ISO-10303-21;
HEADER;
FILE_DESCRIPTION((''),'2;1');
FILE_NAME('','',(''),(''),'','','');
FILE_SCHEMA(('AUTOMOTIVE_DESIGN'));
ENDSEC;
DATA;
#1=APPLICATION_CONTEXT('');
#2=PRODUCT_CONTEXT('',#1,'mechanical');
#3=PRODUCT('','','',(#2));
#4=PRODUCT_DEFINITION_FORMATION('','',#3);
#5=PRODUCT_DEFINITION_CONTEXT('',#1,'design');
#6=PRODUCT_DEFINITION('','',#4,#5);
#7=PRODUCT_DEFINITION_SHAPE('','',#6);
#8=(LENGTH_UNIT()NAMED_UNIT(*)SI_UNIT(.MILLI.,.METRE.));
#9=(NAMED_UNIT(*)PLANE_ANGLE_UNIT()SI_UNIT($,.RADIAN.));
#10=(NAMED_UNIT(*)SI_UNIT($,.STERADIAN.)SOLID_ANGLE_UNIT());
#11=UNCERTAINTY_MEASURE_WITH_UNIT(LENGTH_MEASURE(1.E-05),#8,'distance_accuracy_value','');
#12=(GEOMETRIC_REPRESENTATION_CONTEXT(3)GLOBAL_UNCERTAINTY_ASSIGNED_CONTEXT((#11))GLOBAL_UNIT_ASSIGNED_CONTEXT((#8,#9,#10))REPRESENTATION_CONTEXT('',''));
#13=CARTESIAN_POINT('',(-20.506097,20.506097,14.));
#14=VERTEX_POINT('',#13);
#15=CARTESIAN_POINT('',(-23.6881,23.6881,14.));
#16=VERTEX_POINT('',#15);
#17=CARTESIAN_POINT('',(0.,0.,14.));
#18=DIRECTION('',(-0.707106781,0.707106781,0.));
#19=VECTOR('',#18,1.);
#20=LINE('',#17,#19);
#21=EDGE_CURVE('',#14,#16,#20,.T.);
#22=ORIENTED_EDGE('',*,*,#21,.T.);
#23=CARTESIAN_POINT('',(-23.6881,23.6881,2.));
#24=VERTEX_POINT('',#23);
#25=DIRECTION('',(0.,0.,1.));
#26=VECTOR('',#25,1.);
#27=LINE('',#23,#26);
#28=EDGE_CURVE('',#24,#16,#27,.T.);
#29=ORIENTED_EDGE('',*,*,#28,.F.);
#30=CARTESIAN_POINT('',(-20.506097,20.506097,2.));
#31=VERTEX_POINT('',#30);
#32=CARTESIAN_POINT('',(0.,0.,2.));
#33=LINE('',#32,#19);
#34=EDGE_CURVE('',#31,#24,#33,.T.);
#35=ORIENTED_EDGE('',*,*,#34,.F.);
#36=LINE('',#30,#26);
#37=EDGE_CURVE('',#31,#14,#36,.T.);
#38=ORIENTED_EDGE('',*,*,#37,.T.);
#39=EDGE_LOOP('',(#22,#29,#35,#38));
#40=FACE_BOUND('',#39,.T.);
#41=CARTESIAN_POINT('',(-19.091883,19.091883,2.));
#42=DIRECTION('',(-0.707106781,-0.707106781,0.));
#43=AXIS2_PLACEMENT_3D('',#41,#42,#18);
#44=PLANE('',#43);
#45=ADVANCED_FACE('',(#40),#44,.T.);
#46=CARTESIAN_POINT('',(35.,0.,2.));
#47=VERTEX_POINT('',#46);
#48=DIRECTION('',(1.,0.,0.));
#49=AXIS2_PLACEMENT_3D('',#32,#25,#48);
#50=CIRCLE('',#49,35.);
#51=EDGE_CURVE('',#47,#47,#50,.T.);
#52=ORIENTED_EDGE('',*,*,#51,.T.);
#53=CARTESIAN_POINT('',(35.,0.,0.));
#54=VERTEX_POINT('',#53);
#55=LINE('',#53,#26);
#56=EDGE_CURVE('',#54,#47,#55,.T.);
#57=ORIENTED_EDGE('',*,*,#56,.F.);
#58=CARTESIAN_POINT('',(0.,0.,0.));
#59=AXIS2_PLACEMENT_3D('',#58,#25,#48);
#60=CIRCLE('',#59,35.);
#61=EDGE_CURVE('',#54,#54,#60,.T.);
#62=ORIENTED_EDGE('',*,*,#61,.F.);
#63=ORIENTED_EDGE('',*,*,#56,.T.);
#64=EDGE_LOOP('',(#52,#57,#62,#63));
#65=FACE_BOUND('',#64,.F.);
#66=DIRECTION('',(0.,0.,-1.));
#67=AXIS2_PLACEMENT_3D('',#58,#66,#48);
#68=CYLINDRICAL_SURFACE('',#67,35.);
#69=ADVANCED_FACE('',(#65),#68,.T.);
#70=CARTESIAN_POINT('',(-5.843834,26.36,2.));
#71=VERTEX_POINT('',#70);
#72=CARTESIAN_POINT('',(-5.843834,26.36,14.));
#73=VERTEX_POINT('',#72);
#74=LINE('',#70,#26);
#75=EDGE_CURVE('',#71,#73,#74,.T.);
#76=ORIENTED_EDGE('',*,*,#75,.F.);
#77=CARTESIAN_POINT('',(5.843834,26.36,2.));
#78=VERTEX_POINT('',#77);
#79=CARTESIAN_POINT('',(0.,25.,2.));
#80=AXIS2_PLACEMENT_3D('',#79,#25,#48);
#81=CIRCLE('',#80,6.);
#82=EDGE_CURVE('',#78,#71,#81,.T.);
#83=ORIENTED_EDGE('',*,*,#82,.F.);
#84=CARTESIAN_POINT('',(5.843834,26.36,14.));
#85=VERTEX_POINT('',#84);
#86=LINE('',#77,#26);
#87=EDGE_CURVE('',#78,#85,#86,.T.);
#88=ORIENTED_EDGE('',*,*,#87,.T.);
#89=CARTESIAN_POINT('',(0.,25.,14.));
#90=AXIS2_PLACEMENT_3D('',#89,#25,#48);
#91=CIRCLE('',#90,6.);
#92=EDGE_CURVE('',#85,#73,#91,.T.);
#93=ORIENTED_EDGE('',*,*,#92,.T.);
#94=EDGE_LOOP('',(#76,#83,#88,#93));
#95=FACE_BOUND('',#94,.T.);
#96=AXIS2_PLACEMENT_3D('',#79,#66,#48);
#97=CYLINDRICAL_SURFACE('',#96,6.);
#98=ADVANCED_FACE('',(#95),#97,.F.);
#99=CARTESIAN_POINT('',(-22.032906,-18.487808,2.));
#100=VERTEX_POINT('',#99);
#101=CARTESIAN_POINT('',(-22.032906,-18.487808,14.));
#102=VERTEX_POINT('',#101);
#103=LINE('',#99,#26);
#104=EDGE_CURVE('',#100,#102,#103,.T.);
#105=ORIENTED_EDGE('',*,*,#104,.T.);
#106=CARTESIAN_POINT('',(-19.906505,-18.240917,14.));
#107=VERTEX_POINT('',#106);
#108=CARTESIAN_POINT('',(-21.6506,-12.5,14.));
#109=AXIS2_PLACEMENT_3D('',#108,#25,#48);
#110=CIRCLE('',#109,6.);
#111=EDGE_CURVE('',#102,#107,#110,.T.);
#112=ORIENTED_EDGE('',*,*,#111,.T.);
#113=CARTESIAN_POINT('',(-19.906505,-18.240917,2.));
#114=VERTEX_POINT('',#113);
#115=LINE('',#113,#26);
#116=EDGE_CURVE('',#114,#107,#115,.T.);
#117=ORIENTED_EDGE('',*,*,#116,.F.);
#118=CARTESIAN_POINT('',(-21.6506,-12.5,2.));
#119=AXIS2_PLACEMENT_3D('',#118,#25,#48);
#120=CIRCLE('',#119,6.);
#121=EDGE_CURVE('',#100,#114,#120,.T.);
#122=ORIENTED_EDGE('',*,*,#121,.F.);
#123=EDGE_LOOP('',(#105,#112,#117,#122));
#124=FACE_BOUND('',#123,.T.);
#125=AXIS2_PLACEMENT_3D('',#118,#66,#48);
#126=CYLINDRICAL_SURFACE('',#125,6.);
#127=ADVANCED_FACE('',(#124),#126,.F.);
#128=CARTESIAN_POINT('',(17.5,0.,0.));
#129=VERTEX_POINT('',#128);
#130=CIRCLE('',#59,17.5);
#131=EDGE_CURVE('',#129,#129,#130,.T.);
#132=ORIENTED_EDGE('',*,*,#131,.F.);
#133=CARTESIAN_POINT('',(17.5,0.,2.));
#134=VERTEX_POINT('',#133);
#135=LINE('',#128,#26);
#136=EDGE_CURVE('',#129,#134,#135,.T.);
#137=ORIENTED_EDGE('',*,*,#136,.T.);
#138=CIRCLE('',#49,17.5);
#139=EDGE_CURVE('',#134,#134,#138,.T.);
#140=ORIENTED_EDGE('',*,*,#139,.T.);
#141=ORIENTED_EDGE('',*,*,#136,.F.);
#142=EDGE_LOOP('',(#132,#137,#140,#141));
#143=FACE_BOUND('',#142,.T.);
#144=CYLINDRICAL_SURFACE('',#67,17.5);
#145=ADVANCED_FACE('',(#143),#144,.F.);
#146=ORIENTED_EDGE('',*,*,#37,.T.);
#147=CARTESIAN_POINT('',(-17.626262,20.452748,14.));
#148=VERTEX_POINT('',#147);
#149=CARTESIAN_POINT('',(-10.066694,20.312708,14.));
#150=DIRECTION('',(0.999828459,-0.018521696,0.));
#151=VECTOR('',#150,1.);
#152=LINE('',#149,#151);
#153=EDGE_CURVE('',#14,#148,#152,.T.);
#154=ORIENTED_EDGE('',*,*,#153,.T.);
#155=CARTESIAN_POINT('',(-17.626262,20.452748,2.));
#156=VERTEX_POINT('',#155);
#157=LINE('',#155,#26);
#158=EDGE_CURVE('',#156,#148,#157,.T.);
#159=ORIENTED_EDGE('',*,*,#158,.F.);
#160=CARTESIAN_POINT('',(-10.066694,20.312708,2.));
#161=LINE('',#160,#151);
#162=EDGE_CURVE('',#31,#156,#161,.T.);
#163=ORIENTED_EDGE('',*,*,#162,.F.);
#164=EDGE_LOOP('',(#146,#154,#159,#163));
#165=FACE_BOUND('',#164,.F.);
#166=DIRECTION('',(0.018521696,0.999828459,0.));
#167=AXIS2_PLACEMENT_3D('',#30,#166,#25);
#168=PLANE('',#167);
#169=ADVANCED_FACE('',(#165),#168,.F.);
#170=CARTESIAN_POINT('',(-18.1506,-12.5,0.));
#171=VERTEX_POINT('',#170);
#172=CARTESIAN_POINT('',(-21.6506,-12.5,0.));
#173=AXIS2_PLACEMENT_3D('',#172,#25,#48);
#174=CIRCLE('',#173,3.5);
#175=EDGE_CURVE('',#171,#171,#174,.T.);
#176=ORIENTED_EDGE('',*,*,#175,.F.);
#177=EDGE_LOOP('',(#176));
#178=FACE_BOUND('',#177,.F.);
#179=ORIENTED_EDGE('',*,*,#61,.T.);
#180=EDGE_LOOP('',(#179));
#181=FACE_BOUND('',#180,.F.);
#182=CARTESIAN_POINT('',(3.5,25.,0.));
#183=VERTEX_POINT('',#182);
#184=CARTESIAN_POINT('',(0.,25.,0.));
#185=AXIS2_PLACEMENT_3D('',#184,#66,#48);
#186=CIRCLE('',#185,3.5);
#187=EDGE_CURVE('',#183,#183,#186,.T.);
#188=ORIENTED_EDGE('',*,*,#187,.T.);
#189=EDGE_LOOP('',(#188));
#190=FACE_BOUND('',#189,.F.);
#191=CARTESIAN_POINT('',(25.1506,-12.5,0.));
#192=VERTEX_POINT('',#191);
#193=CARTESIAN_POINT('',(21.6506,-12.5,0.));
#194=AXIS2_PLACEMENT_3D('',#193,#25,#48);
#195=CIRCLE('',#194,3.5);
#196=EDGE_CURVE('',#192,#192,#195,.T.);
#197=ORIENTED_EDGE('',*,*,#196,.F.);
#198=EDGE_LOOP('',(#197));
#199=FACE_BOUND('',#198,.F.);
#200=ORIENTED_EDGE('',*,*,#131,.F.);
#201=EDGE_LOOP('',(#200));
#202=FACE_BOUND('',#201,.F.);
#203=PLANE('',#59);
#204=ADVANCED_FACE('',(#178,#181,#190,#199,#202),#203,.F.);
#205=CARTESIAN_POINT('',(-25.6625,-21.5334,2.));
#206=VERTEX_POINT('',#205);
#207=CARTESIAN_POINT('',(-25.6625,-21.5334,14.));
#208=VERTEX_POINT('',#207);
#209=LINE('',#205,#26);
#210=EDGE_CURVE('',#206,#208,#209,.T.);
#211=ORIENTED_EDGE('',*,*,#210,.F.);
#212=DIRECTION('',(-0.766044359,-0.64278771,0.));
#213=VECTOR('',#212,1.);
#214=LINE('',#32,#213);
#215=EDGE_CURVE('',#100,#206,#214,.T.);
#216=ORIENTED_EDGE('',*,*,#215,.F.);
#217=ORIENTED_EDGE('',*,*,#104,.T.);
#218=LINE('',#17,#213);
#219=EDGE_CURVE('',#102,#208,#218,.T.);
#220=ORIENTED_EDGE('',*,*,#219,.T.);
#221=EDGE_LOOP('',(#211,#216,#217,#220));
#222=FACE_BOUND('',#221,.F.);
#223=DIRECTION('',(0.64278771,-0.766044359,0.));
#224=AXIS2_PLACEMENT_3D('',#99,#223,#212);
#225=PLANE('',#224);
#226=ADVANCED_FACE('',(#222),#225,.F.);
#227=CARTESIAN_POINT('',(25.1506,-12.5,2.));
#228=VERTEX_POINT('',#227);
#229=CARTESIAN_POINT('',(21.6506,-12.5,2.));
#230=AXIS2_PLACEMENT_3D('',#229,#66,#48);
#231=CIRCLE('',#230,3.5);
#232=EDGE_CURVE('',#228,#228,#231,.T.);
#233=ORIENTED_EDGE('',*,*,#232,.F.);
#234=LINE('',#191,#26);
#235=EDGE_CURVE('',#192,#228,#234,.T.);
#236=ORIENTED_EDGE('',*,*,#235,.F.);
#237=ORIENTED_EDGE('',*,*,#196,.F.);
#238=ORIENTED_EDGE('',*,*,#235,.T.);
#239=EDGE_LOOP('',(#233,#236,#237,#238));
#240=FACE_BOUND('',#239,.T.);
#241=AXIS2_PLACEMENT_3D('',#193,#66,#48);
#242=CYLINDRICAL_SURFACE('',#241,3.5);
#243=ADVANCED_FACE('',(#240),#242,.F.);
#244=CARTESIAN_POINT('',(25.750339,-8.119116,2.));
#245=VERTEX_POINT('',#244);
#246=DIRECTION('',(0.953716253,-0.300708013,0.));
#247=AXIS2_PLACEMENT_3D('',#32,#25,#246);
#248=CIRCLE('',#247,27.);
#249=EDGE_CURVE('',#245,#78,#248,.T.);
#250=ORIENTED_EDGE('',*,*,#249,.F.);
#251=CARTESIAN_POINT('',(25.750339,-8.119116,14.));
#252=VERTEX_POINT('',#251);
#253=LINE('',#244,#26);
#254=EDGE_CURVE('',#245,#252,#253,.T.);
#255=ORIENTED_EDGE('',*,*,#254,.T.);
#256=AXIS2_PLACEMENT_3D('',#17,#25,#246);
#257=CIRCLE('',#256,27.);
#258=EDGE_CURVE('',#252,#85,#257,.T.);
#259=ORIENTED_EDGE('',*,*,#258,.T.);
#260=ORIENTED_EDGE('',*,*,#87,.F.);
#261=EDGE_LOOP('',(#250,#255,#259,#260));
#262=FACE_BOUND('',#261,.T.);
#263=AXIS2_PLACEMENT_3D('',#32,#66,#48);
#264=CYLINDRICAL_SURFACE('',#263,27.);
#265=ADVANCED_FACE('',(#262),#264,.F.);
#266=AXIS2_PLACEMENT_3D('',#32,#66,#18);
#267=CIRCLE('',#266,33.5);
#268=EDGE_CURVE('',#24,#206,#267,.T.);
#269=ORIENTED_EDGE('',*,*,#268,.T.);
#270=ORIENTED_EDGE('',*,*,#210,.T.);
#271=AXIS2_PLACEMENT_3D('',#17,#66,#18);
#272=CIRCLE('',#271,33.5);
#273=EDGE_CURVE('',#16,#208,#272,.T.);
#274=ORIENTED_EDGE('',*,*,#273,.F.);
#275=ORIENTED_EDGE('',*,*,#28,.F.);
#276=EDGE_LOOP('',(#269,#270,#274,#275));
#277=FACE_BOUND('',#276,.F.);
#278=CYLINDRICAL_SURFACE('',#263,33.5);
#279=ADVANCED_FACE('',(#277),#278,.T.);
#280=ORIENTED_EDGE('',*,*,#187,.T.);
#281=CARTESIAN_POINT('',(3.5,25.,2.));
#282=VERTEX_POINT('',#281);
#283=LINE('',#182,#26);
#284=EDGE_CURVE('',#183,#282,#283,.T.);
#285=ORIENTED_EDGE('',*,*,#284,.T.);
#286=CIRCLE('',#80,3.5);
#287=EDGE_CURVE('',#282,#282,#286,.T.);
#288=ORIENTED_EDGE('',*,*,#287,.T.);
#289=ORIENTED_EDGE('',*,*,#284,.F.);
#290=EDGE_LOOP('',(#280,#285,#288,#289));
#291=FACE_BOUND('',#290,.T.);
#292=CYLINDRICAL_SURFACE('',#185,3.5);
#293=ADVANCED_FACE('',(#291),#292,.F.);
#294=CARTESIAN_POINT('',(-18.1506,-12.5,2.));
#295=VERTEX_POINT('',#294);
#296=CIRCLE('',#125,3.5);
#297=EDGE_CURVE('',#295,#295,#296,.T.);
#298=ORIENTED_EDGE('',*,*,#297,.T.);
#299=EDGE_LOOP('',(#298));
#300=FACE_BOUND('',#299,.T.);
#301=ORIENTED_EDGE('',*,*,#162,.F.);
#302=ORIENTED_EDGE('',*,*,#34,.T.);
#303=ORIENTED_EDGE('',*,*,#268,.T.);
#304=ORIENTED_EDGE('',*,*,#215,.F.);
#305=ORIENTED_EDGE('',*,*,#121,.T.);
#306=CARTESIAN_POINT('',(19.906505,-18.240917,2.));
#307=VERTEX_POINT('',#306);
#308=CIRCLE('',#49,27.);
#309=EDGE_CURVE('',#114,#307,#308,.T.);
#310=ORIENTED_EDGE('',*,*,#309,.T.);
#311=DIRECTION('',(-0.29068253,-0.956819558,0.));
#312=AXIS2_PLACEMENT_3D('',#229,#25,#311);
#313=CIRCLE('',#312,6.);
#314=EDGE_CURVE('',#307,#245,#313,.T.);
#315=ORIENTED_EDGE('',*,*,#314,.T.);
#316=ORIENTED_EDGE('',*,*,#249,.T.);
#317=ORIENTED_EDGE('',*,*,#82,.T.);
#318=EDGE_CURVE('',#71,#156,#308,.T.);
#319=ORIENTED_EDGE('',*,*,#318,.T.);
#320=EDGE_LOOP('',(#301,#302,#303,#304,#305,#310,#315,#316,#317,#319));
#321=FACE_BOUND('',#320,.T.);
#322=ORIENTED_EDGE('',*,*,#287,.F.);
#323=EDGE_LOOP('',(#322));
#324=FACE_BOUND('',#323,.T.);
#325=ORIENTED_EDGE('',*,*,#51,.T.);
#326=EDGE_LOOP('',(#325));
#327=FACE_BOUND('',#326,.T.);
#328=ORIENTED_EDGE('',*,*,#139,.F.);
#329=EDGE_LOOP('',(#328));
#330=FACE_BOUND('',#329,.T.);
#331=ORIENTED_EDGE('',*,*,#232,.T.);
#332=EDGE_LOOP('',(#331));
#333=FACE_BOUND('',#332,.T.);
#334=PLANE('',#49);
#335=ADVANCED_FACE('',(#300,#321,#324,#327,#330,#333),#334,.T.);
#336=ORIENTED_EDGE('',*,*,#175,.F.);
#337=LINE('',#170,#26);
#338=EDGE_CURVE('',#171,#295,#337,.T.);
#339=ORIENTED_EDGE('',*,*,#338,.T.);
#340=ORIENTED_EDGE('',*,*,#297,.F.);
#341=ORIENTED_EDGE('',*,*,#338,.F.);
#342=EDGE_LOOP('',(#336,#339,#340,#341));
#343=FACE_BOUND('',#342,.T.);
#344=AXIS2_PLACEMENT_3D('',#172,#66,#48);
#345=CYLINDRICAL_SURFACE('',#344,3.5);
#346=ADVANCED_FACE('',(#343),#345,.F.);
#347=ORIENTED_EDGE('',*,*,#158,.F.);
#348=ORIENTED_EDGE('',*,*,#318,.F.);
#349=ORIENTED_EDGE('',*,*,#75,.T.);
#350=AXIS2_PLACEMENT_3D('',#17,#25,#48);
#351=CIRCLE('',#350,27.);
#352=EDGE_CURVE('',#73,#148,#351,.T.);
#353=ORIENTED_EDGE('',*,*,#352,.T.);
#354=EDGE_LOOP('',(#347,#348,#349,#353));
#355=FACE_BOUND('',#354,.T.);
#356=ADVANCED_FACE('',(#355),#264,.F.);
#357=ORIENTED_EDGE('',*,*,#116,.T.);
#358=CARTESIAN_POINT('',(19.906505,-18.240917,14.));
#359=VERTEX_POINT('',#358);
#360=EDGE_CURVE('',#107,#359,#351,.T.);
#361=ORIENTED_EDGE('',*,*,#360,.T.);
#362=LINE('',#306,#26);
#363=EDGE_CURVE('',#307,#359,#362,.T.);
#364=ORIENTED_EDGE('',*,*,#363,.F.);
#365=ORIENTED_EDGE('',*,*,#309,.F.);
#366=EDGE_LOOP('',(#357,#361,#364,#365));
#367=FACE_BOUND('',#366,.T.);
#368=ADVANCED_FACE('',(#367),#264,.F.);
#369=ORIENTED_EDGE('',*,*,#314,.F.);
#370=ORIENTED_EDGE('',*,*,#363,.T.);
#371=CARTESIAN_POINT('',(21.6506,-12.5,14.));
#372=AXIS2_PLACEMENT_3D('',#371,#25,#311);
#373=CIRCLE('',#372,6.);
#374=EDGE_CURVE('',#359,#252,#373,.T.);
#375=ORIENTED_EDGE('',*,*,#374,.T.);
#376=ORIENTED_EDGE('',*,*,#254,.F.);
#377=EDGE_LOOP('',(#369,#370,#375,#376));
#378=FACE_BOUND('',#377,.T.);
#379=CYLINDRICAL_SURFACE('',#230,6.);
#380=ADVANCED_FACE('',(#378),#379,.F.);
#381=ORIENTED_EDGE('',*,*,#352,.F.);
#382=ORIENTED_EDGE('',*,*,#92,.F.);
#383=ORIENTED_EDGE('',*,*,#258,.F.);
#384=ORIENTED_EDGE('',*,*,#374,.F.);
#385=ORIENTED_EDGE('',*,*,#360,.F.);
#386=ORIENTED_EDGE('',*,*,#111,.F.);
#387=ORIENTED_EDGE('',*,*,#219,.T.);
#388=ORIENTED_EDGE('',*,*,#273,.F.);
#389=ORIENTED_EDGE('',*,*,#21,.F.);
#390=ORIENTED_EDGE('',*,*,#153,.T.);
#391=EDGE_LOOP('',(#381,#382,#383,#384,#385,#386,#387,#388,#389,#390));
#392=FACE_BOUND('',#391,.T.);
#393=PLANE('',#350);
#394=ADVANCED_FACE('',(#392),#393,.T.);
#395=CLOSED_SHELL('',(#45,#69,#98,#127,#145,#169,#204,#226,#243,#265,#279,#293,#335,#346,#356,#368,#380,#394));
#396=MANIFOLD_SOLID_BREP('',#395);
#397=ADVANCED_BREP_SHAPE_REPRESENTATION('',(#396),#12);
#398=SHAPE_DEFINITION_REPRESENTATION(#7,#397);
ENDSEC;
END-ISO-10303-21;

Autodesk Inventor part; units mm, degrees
ref_plane "YZ Plane" through (0, 0, 0) normal (1, 0, 0) x (0, 1, 0)
ref_plane "XZ Plane" through (0, 0, 0) normal (0, 1, 0) x (-1, 0, 0)
ref_plane "XY Plane" through (0, 0, 0) normal (0, 0, 1) x (1, 0, 0)
sketch "Sketch1" plane through (0, 0, 0) normal (0, 0, 1) x (1, 0, 0)
  circle A0 centre (0, 25) radius 3.5
  circle A1 centre (-21.6506, -12.5) radius 3.5
  circle A2 centre (21.6506, -12.5) radius 3.5
  line L0 (0, -16) -> (0, 10.5643) construction
  circle A3 centre (0, 0) radius 17.5
  circle A4 centre (0, 0) radius 35
  arc A5 (-19.6928, -15.4012) -> (19.6928, -15.4012) centre (0, 0) ccw
  arc A6 (23.1842, -9.3538) -> (3.4914, 24.755) centre (0, 0) ccw
  arc A7 (-3.4914, 24.755) -> (-23.1842, -9.3538) centre (0, 0) ccw
  dimension "d1" = 7
  dimension "d4" = 360
  dimension "d10" = 70
  dimension "d11" = 35
extrude "Extrusion1" add sketch "Sketch1" along normal blind 2 contours A0 A6 A2 A5 A1 A7 | A4
sketch "Sketch2" plane through (0, 0, 2) normal (0, 0, 1) x (1, 0, 0)
  circle A0 centre (0, 0) radius 27
  circle A1 centre (0, 0) radius 33.5
  line L0 (0, 0) -> (-23.6881, 23.6881)
  line L1 (0, 0) -> (-25.6625, -21.5334)
  line L2 (0, -27) -> (0, 12.4215) construction
  circle A2 centre (0, 25) radius 3.5 projected
  circle A3 centre (0, 25) radius 6
  circle A4 centre (21.6506, -12.5) radius 3.5 projected
  circle A5 centre (21.6506, -12.5) radius 6
  circle A6 centre (-21.6506, -12.5) radius 3.5 projected
  circle A7 centre (-21.6506, -12.5) radius 6
  point P0 (-20.6832, -17.3553)
  point P1 (-19.0919, 19.0919)
  point P2 (-19.9065, -18.2409)
  point P3 (-22.0329, -18.4878)
  point P4 (-5.8438, 26.36)
  point P5 (5.8438, 26.36)
  point P6 (25.7503, -8.1191)
  point P7 (19.9065, -18.2409)
  dimension "d14" = 54
  dimension "d15" = 67
  dimension "d17" = 50
  dimension "d18" = 45
  dimension "d24" = 12
  dimension "d25" = 12
  dimension "d26" = 12
extrude "Extrusion2" add sketch "Sketch2" along normal blind 12 contours A0 A3 L0 A1 L1 A7 A5
chamfer "Chamfer1" distance 2 angle 45 1 edges at (-19.0919, 19.0919, 8)
equation "\"d19\" = d24"
properties part number "pulleycase"
